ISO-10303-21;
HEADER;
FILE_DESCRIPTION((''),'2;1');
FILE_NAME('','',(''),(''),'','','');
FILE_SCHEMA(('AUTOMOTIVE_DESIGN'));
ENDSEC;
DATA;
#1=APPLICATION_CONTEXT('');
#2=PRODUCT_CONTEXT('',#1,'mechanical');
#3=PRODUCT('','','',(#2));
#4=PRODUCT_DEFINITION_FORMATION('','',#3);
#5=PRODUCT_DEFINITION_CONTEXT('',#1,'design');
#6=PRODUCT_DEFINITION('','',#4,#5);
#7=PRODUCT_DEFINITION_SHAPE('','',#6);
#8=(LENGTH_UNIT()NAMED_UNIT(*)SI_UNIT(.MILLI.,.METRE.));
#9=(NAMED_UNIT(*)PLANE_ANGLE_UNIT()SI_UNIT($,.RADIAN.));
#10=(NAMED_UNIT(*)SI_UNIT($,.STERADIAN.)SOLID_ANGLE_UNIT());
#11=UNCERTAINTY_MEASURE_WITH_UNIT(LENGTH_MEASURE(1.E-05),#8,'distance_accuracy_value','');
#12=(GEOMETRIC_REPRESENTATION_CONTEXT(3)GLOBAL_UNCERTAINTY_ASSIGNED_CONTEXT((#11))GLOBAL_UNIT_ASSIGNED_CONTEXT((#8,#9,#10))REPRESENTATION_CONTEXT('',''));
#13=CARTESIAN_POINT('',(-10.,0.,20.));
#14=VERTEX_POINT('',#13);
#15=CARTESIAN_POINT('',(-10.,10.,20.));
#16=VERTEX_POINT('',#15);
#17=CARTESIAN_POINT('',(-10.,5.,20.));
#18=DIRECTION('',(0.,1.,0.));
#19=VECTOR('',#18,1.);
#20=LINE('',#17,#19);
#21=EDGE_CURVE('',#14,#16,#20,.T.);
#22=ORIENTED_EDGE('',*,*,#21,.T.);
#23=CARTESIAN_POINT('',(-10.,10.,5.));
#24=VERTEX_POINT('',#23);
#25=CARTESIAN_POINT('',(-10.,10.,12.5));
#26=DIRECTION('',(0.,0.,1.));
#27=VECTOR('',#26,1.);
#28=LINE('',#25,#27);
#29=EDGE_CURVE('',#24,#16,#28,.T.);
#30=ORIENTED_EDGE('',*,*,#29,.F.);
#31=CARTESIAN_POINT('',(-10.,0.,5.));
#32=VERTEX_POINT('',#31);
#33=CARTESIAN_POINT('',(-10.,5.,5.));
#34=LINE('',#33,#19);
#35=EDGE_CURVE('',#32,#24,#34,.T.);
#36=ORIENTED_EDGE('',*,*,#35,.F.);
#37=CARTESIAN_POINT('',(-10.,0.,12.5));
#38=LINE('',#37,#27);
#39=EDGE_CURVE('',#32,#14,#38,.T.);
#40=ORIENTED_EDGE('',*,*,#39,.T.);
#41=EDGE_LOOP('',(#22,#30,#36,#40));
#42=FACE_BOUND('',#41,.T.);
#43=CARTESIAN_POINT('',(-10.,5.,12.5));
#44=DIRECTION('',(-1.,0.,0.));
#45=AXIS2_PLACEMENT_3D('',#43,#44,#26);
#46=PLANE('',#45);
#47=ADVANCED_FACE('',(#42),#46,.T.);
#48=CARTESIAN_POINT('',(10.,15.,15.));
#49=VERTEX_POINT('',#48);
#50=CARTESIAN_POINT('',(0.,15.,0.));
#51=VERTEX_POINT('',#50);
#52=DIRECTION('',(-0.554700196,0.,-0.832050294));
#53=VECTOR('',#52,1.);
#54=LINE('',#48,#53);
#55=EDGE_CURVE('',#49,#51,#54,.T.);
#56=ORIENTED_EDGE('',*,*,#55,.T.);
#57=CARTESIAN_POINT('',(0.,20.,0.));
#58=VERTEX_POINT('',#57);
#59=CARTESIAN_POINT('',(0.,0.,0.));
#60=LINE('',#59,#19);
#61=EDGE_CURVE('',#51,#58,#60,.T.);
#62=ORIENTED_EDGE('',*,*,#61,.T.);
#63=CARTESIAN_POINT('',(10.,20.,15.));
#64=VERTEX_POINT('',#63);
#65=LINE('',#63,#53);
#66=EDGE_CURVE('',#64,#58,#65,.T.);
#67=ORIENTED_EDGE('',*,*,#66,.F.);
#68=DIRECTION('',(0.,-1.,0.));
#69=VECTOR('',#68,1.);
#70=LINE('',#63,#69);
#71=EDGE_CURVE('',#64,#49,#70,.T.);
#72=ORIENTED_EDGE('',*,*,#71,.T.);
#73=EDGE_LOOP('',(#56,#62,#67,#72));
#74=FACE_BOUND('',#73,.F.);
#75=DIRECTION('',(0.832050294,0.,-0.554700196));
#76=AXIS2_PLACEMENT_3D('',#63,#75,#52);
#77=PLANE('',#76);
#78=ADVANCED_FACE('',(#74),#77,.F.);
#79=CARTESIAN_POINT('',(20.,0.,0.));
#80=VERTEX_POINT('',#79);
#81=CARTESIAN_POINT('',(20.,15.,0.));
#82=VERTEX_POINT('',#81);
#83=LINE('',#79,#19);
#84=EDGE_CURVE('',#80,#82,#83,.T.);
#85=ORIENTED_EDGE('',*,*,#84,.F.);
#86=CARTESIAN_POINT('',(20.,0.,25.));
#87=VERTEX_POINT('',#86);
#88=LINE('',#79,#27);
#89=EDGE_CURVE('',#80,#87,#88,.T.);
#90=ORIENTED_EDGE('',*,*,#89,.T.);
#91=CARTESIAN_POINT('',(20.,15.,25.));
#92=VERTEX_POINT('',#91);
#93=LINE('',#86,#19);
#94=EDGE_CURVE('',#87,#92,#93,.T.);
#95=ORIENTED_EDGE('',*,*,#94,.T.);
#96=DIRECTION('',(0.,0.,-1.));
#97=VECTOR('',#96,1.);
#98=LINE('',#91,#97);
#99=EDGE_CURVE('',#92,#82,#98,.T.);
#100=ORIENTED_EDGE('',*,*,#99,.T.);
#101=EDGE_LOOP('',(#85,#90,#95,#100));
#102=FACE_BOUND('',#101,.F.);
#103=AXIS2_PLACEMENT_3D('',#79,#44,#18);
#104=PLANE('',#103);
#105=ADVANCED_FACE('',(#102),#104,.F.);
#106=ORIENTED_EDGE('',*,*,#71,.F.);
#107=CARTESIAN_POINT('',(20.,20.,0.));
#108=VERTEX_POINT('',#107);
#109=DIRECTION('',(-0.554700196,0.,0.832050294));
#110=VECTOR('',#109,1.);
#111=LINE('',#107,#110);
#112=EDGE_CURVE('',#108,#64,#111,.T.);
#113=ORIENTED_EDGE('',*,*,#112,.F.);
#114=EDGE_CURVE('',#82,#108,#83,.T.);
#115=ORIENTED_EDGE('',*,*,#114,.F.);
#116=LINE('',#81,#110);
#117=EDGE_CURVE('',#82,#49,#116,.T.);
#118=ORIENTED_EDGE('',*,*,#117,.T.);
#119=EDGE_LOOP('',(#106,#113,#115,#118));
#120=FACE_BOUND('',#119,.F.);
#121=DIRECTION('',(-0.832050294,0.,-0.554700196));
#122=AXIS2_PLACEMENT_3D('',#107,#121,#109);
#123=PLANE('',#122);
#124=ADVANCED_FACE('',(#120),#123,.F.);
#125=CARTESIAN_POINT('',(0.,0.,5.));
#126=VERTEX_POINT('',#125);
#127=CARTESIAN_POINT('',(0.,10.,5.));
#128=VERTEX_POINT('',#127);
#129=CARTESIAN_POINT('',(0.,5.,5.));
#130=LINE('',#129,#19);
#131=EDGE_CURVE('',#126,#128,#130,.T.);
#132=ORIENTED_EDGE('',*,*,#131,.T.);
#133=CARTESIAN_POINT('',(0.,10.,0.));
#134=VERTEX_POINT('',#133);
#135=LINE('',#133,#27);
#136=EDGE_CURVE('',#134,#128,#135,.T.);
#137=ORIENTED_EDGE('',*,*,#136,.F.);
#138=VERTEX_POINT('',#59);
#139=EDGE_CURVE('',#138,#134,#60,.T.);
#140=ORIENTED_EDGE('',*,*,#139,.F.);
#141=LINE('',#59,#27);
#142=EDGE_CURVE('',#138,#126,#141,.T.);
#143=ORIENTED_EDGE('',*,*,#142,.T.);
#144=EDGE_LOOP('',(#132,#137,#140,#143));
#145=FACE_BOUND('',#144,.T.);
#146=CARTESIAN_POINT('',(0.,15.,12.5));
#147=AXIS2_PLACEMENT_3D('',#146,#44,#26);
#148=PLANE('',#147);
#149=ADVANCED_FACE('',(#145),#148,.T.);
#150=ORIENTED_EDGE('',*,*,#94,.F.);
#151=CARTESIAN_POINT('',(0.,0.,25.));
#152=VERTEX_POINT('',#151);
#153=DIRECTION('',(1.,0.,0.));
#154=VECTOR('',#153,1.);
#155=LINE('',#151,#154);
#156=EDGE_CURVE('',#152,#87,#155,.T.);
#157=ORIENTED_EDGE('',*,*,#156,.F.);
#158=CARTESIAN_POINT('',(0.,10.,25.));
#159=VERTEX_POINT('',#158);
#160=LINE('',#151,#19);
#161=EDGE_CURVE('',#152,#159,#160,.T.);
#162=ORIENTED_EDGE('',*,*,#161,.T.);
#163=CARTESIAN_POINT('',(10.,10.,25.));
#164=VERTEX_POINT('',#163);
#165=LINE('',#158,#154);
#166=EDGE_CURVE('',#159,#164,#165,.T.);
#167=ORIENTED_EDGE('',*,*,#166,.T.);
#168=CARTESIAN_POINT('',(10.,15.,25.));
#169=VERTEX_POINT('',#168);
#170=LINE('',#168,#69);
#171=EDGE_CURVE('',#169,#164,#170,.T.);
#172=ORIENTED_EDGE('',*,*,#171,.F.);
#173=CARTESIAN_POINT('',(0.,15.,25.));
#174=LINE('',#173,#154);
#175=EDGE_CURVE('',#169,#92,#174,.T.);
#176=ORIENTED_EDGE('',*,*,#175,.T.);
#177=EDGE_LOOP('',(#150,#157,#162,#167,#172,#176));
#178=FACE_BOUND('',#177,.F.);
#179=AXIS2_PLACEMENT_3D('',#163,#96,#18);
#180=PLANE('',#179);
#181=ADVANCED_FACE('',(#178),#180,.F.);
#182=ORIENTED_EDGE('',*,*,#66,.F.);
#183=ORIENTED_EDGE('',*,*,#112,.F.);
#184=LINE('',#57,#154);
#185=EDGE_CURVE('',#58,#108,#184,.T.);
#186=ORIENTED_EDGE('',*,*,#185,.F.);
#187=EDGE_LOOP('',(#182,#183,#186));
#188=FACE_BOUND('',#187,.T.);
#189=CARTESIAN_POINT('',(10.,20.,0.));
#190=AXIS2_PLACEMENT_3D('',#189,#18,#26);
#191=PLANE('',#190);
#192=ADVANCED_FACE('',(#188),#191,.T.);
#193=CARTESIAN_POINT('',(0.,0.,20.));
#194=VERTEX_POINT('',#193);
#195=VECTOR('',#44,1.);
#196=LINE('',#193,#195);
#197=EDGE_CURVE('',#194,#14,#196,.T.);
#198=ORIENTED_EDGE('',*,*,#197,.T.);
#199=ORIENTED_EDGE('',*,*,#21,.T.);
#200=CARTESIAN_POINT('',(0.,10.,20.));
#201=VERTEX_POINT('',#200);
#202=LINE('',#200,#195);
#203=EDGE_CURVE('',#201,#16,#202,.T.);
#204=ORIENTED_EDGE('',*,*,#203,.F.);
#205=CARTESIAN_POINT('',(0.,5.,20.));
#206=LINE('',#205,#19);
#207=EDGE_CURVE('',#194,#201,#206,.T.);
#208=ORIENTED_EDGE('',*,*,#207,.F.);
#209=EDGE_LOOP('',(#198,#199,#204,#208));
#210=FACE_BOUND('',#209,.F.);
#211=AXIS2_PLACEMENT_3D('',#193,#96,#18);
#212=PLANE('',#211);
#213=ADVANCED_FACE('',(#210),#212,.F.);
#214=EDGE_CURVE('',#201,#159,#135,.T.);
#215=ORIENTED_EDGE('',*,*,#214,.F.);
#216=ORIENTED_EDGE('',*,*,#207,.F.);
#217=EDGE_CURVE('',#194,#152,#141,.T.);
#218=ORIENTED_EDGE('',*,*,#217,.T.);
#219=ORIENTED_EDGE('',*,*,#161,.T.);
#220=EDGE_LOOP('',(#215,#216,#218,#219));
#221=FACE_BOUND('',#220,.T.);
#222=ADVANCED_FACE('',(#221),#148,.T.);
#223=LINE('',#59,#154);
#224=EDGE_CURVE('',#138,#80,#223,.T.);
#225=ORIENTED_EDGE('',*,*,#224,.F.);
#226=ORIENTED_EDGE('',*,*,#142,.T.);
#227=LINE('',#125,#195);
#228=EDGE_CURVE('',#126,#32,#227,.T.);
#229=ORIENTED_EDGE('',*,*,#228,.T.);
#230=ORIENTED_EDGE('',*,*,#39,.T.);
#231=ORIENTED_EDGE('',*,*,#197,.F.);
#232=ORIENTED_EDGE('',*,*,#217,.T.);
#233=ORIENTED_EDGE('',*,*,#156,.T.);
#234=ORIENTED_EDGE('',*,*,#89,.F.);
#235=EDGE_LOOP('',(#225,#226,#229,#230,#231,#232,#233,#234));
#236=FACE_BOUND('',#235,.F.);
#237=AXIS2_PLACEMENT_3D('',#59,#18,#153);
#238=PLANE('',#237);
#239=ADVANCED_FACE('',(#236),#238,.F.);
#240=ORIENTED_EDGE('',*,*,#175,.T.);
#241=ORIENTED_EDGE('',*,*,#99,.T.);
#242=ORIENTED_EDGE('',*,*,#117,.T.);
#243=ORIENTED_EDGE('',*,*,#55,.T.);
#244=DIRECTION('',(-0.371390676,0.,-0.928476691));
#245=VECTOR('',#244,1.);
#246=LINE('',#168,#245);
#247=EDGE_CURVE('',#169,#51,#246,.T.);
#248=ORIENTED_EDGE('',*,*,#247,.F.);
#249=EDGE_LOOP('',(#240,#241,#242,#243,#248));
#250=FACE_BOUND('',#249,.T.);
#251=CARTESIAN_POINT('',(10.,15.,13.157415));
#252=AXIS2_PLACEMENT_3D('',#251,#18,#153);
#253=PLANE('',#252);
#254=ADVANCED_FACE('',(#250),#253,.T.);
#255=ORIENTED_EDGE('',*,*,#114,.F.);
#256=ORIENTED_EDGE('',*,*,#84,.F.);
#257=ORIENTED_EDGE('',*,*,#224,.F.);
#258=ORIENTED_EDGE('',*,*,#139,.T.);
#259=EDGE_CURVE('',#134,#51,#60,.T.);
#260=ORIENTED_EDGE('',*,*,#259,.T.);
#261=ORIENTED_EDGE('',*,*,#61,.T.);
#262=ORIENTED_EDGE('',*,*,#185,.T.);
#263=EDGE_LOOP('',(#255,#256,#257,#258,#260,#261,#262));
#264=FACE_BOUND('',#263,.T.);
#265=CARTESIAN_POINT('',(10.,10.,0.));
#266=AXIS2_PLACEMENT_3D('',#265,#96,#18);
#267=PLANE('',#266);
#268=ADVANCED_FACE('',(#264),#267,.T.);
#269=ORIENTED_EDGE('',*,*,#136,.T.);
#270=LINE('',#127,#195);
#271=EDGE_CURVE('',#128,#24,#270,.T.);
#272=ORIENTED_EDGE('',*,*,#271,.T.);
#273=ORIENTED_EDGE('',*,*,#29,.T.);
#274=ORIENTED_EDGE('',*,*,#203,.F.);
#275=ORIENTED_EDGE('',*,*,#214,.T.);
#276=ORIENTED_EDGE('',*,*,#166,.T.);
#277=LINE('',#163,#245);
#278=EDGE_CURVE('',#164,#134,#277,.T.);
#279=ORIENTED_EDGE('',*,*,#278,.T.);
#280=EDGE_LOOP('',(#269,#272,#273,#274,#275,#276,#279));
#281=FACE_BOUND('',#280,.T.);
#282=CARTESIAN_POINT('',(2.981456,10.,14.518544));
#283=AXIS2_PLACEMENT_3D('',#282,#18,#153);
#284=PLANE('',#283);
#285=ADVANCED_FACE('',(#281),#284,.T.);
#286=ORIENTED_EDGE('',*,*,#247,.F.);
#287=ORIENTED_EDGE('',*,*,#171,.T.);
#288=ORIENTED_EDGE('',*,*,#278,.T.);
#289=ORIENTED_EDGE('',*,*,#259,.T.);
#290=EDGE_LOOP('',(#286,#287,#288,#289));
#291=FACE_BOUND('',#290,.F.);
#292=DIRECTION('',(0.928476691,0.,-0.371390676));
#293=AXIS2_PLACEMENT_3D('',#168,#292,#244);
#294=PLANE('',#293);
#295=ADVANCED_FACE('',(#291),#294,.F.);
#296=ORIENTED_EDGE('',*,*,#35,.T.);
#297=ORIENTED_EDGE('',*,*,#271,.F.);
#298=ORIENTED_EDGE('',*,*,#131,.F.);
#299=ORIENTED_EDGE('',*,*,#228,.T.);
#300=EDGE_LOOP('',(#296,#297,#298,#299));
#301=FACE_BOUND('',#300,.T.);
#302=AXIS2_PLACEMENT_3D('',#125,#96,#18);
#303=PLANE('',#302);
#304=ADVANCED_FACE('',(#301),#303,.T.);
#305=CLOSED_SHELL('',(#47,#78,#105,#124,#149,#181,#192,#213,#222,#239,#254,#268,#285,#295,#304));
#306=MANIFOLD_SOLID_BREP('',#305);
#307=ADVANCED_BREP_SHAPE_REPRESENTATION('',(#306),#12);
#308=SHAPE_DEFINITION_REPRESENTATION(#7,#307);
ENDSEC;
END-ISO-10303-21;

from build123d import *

# Parameters (mm, degrees)
BOSS_EXTRUDE1_DEPTH = 25
SKETCH2_W           = 15
SKETCH2_H           = 10
BOSS_EXTRUDE2_DEPTH = 10
SKETCH3_W           = 25
SKETCH3_H           = 10
BOSS_EXTRUDE3_DEPTH = 10
CUT_EXTRUDE1_DEPTH  = 5
CUT_EXTRUDE2_DEPTH  = 5


with BuildPart() as part:
    # Sketch1 → Boss-Extrude1 (new body)
    with BuildSketch(Plane.XY):
        Polygon((0, 0), (20, 0), (20, 20), (10, 20), (10, 10), (0, 10), align=None)
    extrude(amount=BOSS_EXTRUDE1_DEPTH)

    # Sketch2 → Boss-Extrude2 (add)
    with BuildSketch(Plane.ZY):
        with Locations((12.5, 5)):
            Rectangle(SKETCH2_W, SKETCH2_H)
    extrude(amount=BOSS_EXTRUDE2_DEPTH)

    # Sketch3 → Boss-Extrude3 (add)
    with BuildSketch(Plane.ZY.offset(-10)):
        with Locations((12.5, 15)):
            Rectangle(SKETCH3_W, SKETCH3_H)
    extrude(amount=BOSS_EXTRUDE3_DEPTH)

    # Sketch5 → Cut-Extrude1 (cut)
    with BuildSketch(Plane(origin=(0, 20, 0), x_dir=(1, 0, 0), z_dir=(0, 1, 0))):
        Polygon((0, 0), (0, -25), (20, -25), (20, 0), (10, -15), align=None)
    extrude(amount=-CUT_EXTRUDE1_DEPTH, mode=Mode.SUBTRACT)

    # Sketch6 → Cut-Extrude2 (cut)
    with BuildSketch(Plane(origin=(0, 15, 0), x_dir=(1, 0, 0), z_dir=(0, 1, 0))):
        Polygon((0, -25), (10, -25), (0, 0), align=None)
    extrude(amount=-CUT_EXTRUDE2_DEPTH, mode=Mode.SUBTRACT)


solid = part.part
